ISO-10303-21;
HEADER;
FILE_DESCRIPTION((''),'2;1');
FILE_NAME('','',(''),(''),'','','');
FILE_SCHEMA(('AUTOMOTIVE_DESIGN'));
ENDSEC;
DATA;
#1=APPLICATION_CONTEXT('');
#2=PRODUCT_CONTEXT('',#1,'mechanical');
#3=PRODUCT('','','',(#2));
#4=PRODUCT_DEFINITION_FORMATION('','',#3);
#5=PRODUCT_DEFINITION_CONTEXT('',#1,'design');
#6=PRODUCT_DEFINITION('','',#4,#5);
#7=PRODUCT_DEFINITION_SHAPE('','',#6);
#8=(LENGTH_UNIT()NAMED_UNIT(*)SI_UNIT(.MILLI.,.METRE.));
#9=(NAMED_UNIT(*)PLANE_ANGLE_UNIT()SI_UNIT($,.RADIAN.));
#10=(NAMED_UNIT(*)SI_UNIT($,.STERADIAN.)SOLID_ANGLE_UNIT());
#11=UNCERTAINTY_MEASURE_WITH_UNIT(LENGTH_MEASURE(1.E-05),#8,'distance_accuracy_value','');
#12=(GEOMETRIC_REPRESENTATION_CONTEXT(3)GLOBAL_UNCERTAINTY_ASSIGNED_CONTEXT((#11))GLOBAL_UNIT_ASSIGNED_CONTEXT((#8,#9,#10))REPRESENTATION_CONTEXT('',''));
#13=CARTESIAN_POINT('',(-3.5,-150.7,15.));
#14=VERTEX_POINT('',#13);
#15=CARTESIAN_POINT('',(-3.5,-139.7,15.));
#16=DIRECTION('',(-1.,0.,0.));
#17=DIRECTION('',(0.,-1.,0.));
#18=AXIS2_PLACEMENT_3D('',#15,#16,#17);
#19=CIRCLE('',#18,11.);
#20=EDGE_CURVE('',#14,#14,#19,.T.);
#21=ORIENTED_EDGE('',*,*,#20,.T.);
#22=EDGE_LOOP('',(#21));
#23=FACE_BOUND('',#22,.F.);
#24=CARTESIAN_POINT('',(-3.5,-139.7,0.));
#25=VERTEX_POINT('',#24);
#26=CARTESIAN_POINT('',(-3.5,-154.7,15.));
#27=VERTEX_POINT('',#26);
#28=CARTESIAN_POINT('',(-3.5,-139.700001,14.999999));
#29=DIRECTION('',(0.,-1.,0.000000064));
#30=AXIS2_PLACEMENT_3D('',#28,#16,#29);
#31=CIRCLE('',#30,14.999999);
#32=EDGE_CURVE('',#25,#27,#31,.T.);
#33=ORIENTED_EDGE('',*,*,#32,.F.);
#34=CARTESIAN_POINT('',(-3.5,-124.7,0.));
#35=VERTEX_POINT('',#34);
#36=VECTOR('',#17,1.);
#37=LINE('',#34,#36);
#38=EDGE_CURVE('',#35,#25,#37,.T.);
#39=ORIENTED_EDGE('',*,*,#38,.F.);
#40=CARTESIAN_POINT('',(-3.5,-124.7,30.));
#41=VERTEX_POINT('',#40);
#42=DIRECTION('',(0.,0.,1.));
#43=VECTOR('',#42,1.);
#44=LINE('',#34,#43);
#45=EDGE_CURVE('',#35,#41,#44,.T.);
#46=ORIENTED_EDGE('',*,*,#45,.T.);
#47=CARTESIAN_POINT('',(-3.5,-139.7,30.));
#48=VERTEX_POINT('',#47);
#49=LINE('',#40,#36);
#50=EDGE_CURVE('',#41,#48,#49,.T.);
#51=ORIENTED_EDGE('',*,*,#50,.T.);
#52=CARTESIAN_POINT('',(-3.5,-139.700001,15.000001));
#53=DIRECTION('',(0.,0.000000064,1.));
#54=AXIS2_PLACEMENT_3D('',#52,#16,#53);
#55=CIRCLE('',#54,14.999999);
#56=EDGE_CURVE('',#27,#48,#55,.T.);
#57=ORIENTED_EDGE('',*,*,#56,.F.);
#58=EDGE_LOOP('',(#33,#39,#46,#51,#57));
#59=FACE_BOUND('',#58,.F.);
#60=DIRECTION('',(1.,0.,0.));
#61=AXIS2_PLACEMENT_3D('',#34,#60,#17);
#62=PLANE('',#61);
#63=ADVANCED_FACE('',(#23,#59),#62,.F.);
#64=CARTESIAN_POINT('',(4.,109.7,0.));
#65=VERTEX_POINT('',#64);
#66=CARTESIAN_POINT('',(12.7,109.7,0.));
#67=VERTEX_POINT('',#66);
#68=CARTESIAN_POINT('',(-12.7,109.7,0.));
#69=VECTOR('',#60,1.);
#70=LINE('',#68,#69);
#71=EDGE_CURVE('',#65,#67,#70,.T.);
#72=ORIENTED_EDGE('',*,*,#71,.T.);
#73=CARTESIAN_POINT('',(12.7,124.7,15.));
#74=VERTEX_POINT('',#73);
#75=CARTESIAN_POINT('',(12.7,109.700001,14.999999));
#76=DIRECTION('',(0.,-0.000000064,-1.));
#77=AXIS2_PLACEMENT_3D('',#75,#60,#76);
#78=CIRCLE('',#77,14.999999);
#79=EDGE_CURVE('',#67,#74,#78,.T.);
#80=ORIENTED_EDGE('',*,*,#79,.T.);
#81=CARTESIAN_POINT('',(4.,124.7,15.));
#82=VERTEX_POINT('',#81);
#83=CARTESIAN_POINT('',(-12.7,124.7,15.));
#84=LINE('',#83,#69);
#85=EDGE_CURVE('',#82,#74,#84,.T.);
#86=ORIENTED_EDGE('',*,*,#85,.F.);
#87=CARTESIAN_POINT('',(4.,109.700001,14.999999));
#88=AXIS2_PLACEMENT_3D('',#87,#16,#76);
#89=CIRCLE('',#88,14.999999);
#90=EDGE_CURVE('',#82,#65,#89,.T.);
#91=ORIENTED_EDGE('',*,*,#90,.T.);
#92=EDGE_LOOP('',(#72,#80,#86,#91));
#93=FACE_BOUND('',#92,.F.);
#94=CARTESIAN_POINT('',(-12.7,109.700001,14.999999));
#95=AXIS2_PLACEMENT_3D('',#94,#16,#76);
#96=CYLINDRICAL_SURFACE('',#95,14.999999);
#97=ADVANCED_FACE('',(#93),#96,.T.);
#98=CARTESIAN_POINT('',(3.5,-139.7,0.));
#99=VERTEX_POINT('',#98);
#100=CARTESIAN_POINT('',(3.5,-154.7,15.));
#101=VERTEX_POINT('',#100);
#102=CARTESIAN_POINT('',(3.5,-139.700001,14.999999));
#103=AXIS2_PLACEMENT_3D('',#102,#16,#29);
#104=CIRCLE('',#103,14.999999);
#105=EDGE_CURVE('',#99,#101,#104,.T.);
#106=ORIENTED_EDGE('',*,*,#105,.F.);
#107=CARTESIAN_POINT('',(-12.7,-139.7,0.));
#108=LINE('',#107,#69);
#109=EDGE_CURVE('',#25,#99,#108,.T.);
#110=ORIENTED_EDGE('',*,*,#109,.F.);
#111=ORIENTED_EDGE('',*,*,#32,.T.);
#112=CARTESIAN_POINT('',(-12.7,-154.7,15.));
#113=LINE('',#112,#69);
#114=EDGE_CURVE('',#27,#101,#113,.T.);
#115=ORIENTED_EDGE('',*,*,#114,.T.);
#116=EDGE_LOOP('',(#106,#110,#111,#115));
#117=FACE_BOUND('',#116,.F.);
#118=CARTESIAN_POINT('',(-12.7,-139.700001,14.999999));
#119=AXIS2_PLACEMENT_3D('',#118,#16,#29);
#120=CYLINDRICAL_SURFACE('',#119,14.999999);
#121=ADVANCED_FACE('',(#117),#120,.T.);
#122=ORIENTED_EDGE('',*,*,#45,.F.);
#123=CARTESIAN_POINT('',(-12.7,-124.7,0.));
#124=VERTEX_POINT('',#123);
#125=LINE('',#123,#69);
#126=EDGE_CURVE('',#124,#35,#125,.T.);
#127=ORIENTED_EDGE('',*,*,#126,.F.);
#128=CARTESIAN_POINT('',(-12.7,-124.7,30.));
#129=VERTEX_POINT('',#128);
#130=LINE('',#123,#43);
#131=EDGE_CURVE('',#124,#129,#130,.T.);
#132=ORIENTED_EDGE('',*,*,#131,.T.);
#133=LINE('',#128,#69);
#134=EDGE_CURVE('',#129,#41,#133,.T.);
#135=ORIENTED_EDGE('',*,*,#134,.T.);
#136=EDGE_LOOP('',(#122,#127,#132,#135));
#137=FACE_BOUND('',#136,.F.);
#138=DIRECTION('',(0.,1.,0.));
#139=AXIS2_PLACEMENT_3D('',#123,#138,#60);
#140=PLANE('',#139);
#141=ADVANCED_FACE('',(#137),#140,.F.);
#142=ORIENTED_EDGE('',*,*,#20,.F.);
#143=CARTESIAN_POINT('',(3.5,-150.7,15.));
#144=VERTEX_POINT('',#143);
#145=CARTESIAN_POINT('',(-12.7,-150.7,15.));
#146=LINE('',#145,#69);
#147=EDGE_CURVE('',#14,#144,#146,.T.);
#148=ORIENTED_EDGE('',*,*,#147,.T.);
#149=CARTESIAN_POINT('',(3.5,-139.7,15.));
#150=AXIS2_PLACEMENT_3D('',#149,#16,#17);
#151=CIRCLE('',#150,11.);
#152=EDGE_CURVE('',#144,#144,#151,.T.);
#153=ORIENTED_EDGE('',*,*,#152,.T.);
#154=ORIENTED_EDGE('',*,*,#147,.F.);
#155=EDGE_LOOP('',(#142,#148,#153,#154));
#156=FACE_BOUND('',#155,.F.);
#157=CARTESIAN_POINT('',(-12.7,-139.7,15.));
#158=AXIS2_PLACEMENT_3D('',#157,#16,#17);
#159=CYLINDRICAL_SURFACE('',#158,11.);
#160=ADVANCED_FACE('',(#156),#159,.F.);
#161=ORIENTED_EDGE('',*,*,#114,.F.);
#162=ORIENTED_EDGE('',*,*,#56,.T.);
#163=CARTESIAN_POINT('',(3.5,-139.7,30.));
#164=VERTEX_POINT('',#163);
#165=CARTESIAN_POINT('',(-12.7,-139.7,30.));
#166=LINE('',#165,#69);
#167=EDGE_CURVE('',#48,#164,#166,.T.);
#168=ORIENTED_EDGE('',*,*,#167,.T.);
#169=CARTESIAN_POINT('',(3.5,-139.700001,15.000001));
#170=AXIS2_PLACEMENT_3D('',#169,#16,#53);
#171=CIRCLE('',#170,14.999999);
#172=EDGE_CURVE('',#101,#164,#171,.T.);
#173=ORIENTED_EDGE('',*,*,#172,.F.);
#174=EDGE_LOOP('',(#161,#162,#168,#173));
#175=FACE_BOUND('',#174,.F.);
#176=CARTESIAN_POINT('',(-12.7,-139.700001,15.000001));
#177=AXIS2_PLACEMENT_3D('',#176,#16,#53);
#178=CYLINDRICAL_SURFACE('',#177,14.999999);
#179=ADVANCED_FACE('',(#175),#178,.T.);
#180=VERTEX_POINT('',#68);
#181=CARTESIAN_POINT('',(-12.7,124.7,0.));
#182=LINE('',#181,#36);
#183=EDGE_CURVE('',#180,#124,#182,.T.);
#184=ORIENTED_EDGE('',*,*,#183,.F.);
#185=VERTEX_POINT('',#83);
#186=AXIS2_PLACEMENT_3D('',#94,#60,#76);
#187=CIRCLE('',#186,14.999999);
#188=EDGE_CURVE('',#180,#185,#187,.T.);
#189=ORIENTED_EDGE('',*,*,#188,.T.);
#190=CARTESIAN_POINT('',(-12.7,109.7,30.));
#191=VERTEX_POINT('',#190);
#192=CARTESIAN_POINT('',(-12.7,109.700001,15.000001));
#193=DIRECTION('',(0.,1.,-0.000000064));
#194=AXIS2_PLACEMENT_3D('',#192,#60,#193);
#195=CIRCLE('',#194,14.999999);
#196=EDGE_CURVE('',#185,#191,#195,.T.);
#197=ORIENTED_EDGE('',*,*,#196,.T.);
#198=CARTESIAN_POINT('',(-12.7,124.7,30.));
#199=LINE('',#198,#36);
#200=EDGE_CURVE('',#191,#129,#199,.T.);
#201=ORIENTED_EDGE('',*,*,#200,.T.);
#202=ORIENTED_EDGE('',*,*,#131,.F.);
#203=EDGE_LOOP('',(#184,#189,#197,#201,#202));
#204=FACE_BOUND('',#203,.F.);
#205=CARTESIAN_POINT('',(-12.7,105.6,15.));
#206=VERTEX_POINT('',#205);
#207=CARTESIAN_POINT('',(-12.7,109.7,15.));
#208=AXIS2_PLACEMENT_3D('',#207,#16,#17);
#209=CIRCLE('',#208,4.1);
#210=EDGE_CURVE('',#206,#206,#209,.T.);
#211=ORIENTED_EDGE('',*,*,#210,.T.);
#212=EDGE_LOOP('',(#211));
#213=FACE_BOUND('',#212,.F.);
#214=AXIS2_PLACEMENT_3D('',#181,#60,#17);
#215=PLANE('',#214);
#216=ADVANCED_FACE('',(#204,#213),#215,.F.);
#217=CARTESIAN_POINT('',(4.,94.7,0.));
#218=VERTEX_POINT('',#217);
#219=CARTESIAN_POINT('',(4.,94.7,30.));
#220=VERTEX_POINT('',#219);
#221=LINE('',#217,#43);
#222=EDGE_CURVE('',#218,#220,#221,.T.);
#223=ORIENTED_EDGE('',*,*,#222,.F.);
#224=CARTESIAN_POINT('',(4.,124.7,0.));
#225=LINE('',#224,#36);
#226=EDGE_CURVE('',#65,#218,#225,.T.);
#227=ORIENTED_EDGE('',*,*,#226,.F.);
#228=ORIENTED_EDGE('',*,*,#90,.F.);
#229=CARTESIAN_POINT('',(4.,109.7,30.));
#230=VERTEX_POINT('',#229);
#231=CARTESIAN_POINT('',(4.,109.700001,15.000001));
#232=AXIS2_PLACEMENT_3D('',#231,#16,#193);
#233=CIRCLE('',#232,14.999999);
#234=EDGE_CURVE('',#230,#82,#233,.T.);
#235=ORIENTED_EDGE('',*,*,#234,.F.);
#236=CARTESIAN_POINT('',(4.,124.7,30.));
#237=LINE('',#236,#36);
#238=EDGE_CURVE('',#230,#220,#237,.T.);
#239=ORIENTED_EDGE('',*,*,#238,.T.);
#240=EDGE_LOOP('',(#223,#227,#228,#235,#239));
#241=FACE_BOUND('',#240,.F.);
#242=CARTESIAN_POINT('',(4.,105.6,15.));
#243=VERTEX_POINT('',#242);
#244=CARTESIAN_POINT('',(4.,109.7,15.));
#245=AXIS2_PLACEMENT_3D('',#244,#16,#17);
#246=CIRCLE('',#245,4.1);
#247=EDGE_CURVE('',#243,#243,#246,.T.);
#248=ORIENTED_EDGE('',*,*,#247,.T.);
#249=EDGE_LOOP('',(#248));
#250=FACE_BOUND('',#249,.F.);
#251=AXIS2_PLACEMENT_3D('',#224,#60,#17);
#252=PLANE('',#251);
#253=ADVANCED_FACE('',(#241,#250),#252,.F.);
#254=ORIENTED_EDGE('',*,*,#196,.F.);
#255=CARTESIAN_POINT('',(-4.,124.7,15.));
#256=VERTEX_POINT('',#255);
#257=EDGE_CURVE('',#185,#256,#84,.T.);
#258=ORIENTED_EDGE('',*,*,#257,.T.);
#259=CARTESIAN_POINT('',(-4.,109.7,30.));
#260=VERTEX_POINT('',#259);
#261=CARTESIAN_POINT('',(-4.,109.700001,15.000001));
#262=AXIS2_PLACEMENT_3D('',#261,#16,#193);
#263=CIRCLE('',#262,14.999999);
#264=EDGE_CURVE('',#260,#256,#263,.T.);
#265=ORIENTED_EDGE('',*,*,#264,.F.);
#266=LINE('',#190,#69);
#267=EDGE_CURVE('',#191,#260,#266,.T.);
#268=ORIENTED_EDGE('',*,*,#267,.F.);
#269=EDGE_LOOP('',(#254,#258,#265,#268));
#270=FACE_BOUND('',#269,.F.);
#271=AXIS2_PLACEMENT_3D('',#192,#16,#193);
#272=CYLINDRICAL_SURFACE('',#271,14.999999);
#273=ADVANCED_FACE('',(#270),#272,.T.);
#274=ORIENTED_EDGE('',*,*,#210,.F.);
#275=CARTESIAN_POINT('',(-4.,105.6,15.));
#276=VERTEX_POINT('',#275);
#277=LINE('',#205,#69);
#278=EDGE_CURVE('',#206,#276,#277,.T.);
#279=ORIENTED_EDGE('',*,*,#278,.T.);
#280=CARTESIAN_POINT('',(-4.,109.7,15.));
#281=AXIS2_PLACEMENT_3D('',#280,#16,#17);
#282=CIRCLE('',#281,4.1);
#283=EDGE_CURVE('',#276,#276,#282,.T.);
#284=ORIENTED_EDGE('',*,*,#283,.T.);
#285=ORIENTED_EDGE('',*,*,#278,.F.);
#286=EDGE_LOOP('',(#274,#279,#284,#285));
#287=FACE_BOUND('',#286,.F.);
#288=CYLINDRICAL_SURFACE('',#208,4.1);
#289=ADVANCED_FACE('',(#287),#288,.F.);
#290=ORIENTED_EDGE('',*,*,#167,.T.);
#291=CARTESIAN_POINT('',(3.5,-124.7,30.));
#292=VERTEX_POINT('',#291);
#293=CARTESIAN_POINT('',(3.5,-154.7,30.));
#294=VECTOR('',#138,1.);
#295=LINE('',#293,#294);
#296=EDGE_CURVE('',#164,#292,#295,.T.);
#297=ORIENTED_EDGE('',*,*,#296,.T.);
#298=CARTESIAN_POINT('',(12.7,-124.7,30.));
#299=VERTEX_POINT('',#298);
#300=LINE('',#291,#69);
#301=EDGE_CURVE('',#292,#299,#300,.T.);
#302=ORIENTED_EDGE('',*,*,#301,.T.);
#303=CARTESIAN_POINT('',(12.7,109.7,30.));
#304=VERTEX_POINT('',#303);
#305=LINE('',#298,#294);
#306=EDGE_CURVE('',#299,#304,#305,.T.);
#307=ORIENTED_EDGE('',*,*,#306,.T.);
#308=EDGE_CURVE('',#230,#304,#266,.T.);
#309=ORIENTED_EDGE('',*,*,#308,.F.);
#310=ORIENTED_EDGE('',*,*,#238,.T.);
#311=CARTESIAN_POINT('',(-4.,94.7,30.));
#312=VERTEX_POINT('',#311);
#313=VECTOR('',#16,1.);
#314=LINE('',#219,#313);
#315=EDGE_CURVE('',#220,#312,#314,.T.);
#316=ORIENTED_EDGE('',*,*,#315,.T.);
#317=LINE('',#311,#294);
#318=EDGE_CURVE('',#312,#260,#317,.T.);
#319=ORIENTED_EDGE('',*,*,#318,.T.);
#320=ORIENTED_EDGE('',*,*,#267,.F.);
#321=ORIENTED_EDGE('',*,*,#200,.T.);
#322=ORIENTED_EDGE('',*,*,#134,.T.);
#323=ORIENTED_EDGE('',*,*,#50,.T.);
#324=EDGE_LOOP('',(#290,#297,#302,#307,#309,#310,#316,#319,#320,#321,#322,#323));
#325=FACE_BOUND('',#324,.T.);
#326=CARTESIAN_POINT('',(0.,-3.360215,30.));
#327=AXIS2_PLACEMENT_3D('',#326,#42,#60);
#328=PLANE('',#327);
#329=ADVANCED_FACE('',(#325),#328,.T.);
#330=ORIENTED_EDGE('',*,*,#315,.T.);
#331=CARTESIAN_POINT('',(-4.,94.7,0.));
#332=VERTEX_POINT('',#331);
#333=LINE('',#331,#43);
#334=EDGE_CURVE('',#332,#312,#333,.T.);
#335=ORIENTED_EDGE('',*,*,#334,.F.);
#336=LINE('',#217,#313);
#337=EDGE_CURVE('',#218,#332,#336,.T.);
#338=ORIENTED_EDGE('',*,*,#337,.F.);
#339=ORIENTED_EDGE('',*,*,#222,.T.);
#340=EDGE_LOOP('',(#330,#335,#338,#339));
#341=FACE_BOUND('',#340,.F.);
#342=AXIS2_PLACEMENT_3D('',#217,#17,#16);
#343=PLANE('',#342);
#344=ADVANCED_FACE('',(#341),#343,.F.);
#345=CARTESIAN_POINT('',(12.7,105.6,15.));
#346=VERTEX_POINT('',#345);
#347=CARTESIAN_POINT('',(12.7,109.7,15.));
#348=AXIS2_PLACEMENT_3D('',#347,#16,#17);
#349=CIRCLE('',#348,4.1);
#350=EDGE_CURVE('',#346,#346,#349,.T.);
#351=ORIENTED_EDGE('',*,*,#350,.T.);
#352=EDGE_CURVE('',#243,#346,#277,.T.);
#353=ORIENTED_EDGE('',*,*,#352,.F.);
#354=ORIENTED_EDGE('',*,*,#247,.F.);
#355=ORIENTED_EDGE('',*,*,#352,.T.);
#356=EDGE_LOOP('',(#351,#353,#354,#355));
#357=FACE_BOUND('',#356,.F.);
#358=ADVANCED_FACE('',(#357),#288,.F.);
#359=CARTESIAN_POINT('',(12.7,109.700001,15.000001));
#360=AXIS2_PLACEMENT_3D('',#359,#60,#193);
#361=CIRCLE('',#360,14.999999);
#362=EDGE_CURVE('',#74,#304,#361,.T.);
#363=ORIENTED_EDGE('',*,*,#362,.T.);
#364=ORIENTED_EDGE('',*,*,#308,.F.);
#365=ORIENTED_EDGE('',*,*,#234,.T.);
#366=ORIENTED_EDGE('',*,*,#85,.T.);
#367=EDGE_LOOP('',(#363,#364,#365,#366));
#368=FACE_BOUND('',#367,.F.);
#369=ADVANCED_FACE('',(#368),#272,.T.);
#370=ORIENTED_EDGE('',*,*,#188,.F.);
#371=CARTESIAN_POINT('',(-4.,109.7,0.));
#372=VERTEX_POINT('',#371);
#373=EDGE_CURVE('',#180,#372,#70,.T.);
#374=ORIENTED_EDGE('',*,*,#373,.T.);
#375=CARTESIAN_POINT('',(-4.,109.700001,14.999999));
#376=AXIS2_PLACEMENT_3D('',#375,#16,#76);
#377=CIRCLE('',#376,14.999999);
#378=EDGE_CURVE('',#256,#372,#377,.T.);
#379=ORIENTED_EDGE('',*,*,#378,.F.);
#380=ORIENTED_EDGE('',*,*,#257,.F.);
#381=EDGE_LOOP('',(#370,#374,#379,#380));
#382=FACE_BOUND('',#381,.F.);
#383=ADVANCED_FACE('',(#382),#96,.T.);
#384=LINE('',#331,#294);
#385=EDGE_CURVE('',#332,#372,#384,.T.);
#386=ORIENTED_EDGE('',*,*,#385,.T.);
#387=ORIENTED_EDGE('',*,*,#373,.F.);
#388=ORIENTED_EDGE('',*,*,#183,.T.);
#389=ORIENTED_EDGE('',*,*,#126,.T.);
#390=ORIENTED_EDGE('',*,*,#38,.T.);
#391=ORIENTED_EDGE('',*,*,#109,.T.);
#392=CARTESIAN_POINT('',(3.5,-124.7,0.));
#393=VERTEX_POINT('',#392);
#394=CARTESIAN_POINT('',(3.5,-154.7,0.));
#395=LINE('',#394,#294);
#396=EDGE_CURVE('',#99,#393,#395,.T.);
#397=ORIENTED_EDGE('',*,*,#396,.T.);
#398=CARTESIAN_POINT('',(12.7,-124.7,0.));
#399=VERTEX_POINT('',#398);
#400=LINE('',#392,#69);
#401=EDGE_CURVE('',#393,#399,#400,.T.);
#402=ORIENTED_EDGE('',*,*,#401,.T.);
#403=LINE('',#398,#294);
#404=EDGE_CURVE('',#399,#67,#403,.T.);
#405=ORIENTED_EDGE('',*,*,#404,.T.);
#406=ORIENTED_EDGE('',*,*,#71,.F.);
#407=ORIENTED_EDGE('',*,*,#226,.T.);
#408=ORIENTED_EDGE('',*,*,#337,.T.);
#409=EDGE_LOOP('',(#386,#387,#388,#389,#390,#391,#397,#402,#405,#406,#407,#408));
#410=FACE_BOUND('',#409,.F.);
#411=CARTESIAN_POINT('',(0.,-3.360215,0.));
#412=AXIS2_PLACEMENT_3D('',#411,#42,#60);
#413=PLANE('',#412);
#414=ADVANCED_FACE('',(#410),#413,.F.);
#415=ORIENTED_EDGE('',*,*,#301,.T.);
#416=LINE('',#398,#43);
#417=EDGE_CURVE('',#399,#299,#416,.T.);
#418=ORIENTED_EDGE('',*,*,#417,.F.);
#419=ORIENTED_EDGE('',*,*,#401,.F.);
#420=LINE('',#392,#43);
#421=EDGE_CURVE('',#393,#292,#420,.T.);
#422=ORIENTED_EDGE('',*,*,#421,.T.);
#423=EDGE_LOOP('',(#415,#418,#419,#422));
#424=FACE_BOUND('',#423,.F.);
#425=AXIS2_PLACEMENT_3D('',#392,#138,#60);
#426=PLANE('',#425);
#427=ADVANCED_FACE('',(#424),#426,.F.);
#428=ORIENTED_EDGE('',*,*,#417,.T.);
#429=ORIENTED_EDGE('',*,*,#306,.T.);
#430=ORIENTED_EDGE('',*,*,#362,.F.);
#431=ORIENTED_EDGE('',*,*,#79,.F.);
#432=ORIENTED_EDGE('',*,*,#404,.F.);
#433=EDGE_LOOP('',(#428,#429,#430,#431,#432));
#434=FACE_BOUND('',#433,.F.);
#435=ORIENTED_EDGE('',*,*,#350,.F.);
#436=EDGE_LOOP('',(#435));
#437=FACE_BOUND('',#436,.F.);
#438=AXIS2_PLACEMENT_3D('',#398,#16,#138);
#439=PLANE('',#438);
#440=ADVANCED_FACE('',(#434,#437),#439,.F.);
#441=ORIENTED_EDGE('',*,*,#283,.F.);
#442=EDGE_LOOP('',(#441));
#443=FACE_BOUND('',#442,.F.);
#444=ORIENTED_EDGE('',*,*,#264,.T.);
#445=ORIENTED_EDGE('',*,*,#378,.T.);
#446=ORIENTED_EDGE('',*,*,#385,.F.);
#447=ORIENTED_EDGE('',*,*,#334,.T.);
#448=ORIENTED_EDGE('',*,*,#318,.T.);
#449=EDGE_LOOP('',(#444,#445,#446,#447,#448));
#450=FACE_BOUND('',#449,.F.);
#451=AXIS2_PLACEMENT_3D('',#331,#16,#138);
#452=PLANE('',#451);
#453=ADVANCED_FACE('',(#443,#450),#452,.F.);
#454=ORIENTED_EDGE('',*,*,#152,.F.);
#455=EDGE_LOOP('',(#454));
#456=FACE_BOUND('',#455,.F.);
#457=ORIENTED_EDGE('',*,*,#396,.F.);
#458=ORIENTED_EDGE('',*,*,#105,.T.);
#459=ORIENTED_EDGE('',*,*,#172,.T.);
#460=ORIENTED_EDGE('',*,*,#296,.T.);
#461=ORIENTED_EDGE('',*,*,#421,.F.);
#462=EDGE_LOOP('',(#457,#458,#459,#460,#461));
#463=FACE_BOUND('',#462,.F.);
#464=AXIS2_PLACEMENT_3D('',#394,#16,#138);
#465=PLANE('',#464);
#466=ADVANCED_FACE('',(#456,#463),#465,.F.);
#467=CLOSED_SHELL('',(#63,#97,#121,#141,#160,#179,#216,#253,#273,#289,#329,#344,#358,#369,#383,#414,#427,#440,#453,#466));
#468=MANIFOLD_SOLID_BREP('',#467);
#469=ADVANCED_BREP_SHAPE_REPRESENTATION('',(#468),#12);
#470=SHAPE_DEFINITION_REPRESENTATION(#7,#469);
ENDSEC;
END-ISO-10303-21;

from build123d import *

# Parameters (mm, degrees)
F1_DEPTH = 30
F2_R     = 11
F2_R_2   = 4.1
F3_DEPTH = 25.4


with BuildPart() as f1:
    # F0 (on Top) → F1 (new body)
    with BuildSketch(Plane.XY):
        Polygon((-4, 124.7), (-12.7, 124.7), (-12.7, -124.7), (-3.5, -124.7), (-3.5, -154.7), (3.5, -154.7), (3.5, -124.7), (12.7, -124.7), (12.7, 124.7), (4, 124.7), (4, 94.7), (-4, 94.7), align=None)
    extrude(amount=F1_DEPTH)

    # F2 (on face) → F3 (cut, through all)
    with BuildSketch(Plane(origin=(-12.7, 0, 0), x_dir=(0, -1, 0), z_dir=(-1, 0, 0))):
        with BuildLine():
            ThreePointArc((139.7, 30), (150.306602, 25.606602), (154.7, 15))
            Line((154.7, 15), (154.7, 30))
            Line((154.7, 30), (139.7, 30))
        make_face()
        with BuildLine():
            ThreePointArc((154.7, 15), (150.306602, 4.393398), (139.7, 0))
            Line((139.7, 0), (154.7, 0))
            Line((154.7, 0), (154.7, 15))
        make_face()
        with Locations((139.7, 15)):
            Circle(F2_R)
        with Locations((-109.7, 15)):
            Circle(F2_R_2)
        with BuildLine():
            ThreePointArc((-124.7, 15), (-120.306602, 25.606602), (-109.7, 30))
            Line((-109.7, 30), (-124.7, 30))
            Line((-124.7, 30), (-124.7, 15))
        make_face()
        with BuildLine():
            Line((-124.7, 0), (-109.7, 0))
            ThreePointArc((-109.7, 0), (-120.306602, 4.393398), (-124.7, 15))
            Line((-124.7, 15), (-124.7, 0))
        make_face()
    extrude(amount=-F3_DEPTH, mode=Mode.SUBTRACT)


solid = f1.part
